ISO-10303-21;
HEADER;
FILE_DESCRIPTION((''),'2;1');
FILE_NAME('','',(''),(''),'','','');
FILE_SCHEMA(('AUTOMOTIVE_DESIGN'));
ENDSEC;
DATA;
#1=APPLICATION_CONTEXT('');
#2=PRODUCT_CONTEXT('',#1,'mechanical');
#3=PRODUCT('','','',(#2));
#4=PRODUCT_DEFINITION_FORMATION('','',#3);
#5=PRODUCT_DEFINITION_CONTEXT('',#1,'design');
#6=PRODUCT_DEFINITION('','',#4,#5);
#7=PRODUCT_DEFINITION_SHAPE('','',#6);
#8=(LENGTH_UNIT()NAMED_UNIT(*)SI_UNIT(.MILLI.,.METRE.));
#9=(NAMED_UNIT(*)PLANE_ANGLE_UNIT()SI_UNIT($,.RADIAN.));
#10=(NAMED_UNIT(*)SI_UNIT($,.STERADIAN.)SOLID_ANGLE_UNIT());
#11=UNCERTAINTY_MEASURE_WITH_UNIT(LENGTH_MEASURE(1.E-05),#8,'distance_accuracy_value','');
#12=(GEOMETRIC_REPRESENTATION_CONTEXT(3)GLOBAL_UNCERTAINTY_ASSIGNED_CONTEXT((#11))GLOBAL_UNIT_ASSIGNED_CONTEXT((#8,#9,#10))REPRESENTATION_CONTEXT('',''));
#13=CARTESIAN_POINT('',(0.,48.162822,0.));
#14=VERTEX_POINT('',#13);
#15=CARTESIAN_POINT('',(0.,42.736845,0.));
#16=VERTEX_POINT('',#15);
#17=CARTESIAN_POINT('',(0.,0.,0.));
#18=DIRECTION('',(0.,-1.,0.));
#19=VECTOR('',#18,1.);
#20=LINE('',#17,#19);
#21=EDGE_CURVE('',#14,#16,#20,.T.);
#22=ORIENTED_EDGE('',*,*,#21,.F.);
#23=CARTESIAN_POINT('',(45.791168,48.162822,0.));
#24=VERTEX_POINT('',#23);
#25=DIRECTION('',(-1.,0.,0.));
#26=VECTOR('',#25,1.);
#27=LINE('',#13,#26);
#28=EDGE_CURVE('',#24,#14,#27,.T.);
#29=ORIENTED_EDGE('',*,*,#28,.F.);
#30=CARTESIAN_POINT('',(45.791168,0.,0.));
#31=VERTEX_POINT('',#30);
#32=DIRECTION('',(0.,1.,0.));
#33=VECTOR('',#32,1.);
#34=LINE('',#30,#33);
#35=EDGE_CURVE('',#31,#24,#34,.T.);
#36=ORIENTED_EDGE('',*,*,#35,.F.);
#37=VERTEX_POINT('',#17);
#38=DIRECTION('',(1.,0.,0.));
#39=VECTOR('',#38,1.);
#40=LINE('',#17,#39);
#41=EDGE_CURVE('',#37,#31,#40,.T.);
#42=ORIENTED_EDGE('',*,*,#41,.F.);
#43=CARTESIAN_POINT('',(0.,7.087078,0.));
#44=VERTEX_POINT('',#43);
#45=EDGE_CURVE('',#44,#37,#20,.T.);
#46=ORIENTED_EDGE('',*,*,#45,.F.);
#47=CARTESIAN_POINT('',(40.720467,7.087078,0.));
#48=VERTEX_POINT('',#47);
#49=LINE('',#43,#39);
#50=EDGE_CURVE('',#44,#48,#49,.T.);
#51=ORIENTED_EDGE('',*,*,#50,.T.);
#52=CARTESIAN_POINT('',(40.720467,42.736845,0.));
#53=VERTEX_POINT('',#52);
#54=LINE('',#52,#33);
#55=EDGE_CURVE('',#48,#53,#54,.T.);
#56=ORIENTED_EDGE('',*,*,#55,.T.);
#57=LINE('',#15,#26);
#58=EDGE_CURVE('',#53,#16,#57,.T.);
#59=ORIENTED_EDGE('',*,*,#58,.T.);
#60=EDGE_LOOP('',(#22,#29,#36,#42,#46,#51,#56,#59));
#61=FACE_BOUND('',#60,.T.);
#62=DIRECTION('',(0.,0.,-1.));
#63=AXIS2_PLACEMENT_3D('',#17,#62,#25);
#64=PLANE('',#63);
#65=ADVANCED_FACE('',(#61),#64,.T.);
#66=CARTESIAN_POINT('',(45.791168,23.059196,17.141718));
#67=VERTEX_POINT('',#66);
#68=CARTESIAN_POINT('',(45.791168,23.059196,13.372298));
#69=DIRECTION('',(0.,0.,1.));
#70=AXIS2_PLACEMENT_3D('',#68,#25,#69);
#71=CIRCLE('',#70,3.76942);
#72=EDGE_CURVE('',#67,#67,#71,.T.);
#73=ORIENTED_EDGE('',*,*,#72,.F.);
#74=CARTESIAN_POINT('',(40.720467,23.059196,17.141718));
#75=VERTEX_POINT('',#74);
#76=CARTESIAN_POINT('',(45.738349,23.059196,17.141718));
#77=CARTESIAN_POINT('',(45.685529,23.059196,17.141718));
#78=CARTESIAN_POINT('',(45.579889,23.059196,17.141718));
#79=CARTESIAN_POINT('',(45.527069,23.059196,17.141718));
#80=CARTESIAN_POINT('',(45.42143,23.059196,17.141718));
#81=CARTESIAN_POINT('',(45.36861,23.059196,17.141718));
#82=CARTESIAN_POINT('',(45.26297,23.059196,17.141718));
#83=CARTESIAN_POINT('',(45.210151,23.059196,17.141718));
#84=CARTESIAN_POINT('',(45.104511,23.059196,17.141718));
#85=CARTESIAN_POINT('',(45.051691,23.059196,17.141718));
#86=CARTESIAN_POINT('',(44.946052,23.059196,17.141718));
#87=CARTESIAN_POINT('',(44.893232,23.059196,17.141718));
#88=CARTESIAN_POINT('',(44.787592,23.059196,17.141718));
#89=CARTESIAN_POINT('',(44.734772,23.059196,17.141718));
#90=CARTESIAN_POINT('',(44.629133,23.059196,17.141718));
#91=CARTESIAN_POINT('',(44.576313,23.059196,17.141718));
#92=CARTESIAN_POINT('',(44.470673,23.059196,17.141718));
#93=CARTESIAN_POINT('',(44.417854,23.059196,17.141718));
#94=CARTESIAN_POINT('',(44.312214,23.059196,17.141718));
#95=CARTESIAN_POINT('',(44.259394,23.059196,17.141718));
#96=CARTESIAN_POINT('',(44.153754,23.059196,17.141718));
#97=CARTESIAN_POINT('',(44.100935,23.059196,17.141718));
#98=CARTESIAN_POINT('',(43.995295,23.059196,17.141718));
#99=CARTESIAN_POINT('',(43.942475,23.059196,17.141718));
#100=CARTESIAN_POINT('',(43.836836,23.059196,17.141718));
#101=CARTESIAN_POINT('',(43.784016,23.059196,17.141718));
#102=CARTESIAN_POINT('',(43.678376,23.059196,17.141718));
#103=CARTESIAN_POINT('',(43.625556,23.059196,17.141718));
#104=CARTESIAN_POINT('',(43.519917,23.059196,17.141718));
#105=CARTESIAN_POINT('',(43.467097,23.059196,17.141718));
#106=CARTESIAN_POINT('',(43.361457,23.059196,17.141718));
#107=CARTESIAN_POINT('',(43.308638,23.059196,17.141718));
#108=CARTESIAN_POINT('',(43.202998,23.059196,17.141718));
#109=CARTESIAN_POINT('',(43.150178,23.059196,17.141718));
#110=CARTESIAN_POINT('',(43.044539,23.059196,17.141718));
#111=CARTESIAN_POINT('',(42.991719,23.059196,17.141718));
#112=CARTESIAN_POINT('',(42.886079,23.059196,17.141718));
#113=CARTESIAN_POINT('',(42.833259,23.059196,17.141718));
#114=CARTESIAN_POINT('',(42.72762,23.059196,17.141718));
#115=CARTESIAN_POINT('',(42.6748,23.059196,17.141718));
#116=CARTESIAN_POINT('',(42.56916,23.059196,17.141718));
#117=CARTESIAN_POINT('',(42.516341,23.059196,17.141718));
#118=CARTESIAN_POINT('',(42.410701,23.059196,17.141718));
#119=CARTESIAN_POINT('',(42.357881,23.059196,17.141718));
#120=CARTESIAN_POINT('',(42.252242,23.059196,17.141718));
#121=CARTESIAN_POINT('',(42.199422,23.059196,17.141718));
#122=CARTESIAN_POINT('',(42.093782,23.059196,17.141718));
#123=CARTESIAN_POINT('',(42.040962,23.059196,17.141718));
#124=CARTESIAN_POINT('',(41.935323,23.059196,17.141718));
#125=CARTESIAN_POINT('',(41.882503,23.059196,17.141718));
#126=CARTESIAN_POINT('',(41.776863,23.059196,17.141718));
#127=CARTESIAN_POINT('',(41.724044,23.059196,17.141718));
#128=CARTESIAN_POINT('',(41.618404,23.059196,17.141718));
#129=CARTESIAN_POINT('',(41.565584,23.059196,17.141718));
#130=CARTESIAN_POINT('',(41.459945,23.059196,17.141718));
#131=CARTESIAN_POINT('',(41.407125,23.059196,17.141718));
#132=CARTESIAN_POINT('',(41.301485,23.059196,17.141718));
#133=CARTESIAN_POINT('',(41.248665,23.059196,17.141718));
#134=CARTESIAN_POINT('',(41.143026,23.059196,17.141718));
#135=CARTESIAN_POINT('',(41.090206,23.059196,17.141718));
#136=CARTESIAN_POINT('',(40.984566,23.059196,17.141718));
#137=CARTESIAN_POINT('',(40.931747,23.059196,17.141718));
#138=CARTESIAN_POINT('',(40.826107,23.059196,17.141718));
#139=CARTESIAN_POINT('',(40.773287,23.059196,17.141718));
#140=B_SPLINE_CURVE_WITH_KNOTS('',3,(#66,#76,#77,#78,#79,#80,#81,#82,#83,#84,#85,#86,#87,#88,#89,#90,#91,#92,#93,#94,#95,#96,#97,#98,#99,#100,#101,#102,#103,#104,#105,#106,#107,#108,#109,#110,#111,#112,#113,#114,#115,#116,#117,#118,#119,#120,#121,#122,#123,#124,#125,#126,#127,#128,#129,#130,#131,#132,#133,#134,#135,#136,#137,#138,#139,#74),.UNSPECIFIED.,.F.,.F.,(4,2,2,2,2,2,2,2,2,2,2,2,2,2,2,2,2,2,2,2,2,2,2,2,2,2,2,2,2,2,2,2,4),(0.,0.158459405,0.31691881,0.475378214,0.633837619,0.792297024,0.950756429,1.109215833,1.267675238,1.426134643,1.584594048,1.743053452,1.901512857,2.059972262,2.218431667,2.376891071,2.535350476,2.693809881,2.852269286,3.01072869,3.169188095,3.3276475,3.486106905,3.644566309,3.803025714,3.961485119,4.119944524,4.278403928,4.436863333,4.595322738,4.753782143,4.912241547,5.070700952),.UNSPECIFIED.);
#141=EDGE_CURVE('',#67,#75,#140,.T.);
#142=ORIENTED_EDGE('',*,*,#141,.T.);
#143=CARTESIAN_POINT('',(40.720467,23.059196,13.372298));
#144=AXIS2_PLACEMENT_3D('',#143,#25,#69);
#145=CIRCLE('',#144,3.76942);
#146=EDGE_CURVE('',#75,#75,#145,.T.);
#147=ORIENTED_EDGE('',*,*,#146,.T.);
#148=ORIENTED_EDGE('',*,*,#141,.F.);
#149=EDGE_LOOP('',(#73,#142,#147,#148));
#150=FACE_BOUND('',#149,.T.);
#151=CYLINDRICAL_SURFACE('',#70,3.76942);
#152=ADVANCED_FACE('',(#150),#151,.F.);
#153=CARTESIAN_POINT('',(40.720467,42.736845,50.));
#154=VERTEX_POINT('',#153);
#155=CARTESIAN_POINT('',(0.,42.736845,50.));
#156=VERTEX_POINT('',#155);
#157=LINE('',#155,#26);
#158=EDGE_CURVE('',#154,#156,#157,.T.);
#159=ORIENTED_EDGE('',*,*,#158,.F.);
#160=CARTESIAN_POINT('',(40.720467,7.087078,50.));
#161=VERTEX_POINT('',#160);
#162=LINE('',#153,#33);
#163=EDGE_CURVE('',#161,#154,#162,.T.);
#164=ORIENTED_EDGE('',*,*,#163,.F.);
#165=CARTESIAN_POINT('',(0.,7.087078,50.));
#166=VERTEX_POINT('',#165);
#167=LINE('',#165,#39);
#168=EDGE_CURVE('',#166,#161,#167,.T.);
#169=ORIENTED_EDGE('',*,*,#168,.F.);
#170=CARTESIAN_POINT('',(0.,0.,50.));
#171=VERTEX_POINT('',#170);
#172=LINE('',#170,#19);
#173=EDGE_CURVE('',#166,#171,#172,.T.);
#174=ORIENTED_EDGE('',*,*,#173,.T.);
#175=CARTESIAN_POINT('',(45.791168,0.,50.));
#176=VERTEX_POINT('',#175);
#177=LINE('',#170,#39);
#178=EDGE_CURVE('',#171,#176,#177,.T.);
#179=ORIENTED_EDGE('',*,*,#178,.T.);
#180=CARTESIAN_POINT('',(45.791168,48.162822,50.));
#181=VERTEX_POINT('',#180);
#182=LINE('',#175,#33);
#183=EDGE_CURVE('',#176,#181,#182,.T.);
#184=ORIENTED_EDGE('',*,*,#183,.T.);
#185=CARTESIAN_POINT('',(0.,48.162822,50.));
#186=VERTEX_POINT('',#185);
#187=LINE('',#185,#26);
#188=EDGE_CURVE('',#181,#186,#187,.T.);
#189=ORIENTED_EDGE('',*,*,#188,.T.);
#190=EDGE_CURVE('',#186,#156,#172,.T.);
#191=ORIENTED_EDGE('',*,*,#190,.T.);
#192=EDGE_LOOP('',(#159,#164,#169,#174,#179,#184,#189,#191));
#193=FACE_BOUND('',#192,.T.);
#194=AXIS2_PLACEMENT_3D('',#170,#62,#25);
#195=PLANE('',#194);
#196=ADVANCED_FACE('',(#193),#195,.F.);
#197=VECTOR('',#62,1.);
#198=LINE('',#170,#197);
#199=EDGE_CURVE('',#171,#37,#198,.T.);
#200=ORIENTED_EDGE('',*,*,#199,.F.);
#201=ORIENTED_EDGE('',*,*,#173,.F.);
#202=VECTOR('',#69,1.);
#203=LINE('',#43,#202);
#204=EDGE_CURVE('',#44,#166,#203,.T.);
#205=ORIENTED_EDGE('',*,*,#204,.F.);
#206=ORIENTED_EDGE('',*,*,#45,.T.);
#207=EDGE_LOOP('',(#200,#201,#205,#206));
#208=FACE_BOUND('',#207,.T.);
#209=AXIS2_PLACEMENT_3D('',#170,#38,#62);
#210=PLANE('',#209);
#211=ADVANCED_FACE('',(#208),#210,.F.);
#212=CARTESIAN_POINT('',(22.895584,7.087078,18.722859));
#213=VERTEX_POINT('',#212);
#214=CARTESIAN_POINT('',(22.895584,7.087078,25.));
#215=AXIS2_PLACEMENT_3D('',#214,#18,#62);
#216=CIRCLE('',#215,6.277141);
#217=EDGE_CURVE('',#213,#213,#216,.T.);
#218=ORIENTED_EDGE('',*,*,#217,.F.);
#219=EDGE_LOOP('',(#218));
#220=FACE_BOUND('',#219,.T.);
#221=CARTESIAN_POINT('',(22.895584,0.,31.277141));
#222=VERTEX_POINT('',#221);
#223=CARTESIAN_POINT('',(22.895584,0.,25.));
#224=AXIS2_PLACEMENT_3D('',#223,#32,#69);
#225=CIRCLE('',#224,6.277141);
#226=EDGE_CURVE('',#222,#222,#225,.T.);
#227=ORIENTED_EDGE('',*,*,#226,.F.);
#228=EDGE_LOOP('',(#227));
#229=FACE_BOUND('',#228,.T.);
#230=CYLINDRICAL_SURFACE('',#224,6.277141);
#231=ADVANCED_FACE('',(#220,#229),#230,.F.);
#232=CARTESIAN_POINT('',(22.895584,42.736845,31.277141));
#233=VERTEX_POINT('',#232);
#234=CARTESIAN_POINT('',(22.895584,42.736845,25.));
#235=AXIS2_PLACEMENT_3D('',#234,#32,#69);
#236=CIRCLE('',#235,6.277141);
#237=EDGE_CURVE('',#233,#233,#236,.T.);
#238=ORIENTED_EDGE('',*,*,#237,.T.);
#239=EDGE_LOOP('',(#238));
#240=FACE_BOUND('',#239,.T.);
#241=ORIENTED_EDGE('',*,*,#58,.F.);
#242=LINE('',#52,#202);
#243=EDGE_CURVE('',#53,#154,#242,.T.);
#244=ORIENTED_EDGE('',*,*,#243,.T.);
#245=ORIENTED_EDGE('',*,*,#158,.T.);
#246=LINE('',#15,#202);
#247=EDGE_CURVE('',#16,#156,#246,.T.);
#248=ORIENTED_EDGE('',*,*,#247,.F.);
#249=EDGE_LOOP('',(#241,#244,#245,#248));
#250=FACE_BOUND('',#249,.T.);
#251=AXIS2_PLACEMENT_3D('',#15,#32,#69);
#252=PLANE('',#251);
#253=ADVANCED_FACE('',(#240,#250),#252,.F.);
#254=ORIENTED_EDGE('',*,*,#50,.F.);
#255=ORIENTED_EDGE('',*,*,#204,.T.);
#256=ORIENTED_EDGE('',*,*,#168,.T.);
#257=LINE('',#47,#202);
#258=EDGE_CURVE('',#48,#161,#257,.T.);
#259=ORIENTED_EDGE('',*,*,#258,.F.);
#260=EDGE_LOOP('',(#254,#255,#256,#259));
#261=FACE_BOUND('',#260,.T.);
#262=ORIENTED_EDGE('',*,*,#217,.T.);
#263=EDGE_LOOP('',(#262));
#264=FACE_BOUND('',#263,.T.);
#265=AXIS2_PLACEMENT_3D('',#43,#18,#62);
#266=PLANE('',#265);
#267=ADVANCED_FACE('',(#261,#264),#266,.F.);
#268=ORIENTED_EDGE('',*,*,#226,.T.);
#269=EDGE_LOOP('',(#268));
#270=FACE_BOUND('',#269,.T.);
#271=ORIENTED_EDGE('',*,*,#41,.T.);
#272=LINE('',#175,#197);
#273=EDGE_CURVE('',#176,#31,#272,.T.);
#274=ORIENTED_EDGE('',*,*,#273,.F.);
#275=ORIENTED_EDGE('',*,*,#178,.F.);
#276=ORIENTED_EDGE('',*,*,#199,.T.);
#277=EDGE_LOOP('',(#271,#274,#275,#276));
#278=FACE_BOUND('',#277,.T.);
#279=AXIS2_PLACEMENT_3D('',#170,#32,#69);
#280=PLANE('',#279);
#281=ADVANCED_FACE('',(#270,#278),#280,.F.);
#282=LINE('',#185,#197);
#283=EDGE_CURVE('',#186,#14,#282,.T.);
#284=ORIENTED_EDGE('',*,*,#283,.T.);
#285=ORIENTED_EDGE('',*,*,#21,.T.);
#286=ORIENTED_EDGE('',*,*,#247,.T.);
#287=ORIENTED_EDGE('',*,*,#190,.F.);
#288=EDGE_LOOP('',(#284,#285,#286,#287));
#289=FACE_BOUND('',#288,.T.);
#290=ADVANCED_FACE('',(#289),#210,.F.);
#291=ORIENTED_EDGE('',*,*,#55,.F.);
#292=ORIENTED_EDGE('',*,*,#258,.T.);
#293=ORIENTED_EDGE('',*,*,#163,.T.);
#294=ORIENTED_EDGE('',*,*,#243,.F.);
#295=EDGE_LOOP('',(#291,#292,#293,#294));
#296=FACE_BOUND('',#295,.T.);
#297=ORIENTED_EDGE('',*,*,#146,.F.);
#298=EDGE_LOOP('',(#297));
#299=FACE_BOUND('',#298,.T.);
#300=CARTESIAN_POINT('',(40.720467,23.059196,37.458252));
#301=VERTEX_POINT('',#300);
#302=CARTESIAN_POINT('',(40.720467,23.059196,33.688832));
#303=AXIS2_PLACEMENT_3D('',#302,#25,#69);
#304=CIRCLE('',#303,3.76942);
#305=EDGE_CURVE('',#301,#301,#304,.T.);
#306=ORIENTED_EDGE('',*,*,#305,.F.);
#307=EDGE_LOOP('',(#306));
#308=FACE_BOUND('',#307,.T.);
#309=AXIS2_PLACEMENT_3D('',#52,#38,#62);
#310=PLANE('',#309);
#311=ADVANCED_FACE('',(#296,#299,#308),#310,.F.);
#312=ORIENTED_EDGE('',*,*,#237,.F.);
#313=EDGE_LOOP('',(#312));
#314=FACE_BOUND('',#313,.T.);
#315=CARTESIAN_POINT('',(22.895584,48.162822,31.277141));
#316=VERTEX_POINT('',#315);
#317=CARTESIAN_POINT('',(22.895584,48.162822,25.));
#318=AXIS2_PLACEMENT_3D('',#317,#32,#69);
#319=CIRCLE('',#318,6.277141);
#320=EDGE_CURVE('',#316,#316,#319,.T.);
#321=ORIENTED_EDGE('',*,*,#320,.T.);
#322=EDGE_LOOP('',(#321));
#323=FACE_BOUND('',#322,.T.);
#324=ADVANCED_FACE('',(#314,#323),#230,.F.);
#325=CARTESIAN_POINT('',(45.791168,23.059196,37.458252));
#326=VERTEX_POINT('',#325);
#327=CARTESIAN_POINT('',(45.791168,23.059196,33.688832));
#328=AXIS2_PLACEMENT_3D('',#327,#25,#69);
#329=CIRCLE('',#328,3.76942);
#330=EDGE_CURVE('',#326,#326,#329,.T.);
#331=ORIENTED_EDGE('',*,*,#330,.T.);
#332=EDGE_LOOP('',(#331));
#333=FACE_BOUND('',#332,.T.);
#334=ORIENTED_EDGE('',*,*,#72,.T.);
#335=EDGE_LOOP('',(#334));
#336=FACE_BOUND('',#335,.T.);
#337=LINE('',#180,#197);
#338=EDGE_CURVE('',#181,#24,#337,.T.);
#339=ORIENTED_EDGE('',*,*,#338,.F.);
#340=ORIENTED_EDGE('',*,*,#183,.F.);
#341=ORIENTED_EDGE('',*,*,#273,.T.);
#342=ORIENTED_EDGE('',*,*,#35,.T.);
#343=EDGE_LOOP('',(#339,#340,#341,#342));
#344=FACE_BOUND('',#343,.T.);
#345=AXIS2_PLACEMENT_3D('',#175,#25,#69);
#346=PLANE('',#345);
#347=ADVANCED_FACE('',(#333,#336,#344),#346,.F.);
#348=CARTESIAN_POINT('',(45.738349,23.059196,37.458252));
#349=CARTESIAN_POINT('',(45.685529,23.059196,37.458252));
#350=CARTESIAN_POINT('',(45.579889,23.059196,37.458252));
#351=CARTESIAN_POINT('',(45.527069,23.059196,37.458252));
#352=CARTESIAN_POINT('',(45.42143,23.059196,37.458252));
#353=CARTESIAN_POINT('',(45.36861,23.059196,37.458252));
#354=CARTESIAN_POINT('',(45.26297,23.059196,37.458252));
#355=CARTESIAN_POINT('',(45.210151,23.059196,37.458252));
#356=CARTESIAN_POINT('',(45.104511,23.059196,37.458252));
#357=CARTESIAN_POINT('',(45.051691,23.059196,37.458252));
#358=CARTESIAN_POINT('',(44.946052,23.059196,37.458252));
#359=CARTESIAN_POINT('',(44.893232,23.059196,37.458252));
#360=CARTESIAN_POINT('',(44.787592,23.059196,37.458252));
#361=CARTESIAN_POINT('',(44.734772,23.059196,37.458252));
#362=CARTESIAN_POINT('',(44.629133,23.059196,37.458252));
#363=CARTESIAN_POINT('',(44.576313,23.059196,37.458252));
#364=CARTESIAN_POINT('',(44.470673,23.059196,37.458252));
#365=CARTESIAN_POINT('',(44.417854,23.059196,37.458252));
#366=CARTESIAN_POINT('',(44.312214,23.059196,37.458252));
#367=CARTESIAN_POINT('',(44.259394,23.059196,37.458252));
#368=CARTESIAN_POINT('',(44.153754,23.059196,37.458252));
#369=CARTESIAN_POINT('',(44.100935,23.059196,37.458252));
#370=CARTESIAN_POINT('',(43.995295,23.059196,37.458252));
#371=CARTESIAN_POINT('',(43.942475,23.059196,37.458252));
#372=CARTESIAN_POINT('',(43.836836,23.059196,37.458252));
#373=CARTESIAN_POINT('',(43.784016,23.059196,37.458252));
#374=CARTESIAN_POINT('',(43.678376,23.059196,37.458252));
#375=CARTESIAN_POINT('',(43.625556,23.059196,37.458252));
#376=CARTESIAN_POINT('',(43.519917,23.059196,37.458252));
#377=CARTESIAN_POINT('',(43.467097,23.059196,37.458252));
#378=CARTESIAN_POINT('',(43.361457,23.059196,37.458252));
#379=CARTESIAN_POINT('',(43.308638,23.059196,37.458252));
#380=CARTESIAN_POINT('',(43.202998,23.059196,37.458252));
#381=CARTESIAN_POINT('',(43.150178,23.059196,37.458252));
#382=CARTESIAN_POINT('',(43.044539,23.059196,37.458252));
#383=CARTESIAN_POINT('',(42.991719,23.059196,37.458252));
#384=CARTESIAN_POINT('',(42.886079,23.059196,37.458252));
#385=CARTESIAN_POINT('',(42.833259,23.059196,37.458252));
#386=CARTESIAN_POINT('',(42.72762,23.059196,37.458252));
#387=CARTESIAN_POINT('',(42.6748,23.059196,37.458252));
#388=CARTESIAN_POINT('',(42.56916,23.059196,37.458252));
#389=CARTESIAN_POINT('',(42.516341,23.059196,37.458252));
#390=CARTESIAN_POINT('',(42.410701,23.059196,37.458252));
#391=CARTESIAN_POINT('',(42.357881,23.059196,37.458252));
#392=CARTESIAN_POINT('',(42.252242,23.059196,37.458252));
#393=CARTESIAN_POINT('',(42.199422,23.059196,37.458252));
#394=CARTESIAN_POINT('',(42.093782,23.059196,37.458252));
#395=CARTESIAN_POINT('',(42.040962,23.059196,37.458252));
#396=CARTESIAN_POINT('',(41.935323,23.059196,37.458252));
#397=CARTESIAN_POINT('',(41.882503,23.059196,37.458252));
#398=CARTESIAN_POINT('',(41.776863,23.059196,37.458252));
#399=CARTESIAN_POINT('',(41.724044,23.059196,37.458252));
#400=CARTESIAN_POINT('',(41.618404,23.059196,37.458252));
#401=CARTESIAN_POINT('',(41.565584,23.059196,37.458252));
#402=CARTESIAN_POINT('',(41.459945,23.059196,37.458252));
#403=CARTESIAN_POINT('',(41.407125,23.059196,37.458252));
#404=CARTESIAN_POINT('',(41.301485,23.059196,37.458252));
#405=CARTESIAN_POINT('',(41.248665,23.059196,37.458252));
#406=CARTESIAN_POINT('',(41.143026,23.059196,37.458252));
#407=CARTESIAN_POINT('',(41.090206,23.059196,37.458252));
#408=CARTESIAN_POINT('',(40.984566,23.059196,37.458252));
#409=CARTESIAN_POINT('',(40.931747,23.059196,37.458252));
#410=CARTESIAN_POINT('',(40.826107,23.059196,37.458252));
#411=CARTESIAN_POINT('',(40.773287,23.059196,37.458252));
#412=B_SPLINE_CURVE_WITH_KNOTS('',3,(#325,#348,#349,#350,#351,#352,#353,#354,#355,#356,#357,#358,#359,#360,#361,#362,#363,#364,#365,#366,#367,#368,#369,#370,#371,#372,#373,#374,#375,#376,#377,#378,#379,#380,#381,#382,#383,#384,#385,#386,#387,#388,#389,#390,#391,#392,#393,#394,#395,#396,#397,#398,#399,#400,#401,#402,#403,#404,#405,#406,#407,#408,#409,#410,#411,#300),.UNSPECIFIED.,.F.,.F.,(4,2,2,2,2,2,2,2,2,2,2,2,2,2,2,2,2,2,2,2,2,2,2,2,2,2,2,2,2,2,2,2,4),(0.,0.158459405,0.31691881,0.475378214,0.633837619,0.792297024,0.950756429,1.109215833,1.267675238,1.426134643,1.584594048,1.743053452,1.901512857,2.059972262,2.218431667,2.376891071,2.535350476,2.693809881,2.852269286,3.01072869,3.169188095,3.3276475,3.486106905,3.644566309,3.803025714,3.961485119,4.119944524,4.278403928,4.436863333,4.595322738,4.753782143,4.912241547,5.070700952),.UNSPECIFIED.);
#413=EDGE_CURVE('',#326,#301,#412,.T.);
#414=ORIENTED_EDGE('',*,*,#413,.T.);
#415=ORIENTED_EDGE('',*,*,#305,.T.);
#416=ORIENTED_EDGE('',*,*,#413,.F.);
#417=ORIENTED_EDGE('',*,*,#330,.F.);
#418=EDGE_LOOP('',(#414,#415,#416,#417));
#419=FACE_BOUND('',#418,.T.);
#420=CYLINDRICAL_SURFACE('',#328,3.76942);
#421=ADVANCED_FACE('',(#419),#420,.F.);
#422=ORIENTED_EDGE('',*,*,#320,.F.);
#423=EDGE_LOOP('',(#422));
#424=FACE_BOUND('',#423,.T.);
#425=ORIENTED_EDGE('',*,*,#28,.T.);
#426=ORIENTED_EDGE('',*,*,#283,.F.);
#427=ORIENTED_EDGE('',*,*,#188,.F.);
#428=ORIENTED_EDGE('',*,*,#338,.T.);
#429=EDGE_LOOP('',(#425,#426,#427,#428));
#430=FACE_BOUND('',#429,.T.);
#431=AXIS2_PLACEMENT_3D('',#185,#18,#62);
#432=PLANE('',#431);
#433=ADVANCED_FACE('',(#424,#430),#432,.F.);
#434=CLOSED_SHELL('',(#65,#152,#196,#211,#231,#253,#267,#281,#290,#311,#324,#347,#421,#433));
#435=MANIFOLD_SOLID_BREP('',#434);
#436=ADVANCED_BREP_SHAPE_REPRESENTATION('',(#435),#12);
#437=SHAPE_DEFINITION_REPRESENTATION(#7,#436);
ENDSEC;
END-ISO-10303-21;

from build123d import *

# Parameters (mm, degrees)
ESQUISSE1_W             = 45.791168344
ESQUISSE1_H             = 48.162822482
BOSS_EXTRU_1_DEPTH      = 50
ESQUISSE6_W             = 40.720467392
ESQUISSE6_H             = 35.64976644
ENL_V_MAT_EXTRU_2_DEPTH = 84.165428922
ESQUISSE7_R             = 6.277140529
ENL_V_MAT_EXTRU_3_DEPTH = 84.165428922
ESQUISSE8_R             = 3.769419749
ENL_V_MAT_EXTRU_4_DEPTH = 81.484867733


with BuildPart() as part:
    # Esquisse1 → Boss.-Extru.1 (new body)
    with BuildSketch(Plane.XY):
        with Locations((22.895584172, 24.081411241)):
            Rectangle(ESQUISSE1_W, ESQUISSE1_H)
    extrude(amount=BOSS_EXTRU_1_DEPTH)

    # Esquisse6 → Enlèv. mat.-Extru.2 (cut, through all)
    with BuildSketch(Plane.XY.offset(50)):
        with Locations((20.360233696, 24.911961355)):
            Rectangle(ESQUISSE6_W, ESQUISSE6_H)
    extrude(amount=-ENL_V_MAT_EXTRU_2_DEPTH, mode=Mode.SUBTRACT)

    # Esquisse7 → Enlèv. mat.-Extru.3 (cut, through all)
    with BuildSketch(Plane(origin=(0, 48.162822482, 0), x_dir=(1, 0, 0), z_dir=(0, 1, 0))):
        with Locations(Location((22.895584172, -25, 0), (0, 0, 270))):
            Circle(ESQUISSE7_R)
    extrude(amount=-ENL_V_MAT_EXTRU_3_DEPTH, mode=Mode.SUBTRACT)

    # Esquisse8 → Enlèv. mat.-Extru.4 (cut, through all)
    with BuildSketch(Plane.ZY.offset(-40.720467392)):
        with Locations((13.372298401, 23.059195716)):
            Circle(ESQUISSE8_R)
        with Locations((33.688831964, 23.059195716)):
            Circle(ESQUISSE8_R)
    extrude(amount=-ENL_V_MAT_EXTRU_4_DEPTH, mode=Mode.SUBTRACT)


solid = part.part
